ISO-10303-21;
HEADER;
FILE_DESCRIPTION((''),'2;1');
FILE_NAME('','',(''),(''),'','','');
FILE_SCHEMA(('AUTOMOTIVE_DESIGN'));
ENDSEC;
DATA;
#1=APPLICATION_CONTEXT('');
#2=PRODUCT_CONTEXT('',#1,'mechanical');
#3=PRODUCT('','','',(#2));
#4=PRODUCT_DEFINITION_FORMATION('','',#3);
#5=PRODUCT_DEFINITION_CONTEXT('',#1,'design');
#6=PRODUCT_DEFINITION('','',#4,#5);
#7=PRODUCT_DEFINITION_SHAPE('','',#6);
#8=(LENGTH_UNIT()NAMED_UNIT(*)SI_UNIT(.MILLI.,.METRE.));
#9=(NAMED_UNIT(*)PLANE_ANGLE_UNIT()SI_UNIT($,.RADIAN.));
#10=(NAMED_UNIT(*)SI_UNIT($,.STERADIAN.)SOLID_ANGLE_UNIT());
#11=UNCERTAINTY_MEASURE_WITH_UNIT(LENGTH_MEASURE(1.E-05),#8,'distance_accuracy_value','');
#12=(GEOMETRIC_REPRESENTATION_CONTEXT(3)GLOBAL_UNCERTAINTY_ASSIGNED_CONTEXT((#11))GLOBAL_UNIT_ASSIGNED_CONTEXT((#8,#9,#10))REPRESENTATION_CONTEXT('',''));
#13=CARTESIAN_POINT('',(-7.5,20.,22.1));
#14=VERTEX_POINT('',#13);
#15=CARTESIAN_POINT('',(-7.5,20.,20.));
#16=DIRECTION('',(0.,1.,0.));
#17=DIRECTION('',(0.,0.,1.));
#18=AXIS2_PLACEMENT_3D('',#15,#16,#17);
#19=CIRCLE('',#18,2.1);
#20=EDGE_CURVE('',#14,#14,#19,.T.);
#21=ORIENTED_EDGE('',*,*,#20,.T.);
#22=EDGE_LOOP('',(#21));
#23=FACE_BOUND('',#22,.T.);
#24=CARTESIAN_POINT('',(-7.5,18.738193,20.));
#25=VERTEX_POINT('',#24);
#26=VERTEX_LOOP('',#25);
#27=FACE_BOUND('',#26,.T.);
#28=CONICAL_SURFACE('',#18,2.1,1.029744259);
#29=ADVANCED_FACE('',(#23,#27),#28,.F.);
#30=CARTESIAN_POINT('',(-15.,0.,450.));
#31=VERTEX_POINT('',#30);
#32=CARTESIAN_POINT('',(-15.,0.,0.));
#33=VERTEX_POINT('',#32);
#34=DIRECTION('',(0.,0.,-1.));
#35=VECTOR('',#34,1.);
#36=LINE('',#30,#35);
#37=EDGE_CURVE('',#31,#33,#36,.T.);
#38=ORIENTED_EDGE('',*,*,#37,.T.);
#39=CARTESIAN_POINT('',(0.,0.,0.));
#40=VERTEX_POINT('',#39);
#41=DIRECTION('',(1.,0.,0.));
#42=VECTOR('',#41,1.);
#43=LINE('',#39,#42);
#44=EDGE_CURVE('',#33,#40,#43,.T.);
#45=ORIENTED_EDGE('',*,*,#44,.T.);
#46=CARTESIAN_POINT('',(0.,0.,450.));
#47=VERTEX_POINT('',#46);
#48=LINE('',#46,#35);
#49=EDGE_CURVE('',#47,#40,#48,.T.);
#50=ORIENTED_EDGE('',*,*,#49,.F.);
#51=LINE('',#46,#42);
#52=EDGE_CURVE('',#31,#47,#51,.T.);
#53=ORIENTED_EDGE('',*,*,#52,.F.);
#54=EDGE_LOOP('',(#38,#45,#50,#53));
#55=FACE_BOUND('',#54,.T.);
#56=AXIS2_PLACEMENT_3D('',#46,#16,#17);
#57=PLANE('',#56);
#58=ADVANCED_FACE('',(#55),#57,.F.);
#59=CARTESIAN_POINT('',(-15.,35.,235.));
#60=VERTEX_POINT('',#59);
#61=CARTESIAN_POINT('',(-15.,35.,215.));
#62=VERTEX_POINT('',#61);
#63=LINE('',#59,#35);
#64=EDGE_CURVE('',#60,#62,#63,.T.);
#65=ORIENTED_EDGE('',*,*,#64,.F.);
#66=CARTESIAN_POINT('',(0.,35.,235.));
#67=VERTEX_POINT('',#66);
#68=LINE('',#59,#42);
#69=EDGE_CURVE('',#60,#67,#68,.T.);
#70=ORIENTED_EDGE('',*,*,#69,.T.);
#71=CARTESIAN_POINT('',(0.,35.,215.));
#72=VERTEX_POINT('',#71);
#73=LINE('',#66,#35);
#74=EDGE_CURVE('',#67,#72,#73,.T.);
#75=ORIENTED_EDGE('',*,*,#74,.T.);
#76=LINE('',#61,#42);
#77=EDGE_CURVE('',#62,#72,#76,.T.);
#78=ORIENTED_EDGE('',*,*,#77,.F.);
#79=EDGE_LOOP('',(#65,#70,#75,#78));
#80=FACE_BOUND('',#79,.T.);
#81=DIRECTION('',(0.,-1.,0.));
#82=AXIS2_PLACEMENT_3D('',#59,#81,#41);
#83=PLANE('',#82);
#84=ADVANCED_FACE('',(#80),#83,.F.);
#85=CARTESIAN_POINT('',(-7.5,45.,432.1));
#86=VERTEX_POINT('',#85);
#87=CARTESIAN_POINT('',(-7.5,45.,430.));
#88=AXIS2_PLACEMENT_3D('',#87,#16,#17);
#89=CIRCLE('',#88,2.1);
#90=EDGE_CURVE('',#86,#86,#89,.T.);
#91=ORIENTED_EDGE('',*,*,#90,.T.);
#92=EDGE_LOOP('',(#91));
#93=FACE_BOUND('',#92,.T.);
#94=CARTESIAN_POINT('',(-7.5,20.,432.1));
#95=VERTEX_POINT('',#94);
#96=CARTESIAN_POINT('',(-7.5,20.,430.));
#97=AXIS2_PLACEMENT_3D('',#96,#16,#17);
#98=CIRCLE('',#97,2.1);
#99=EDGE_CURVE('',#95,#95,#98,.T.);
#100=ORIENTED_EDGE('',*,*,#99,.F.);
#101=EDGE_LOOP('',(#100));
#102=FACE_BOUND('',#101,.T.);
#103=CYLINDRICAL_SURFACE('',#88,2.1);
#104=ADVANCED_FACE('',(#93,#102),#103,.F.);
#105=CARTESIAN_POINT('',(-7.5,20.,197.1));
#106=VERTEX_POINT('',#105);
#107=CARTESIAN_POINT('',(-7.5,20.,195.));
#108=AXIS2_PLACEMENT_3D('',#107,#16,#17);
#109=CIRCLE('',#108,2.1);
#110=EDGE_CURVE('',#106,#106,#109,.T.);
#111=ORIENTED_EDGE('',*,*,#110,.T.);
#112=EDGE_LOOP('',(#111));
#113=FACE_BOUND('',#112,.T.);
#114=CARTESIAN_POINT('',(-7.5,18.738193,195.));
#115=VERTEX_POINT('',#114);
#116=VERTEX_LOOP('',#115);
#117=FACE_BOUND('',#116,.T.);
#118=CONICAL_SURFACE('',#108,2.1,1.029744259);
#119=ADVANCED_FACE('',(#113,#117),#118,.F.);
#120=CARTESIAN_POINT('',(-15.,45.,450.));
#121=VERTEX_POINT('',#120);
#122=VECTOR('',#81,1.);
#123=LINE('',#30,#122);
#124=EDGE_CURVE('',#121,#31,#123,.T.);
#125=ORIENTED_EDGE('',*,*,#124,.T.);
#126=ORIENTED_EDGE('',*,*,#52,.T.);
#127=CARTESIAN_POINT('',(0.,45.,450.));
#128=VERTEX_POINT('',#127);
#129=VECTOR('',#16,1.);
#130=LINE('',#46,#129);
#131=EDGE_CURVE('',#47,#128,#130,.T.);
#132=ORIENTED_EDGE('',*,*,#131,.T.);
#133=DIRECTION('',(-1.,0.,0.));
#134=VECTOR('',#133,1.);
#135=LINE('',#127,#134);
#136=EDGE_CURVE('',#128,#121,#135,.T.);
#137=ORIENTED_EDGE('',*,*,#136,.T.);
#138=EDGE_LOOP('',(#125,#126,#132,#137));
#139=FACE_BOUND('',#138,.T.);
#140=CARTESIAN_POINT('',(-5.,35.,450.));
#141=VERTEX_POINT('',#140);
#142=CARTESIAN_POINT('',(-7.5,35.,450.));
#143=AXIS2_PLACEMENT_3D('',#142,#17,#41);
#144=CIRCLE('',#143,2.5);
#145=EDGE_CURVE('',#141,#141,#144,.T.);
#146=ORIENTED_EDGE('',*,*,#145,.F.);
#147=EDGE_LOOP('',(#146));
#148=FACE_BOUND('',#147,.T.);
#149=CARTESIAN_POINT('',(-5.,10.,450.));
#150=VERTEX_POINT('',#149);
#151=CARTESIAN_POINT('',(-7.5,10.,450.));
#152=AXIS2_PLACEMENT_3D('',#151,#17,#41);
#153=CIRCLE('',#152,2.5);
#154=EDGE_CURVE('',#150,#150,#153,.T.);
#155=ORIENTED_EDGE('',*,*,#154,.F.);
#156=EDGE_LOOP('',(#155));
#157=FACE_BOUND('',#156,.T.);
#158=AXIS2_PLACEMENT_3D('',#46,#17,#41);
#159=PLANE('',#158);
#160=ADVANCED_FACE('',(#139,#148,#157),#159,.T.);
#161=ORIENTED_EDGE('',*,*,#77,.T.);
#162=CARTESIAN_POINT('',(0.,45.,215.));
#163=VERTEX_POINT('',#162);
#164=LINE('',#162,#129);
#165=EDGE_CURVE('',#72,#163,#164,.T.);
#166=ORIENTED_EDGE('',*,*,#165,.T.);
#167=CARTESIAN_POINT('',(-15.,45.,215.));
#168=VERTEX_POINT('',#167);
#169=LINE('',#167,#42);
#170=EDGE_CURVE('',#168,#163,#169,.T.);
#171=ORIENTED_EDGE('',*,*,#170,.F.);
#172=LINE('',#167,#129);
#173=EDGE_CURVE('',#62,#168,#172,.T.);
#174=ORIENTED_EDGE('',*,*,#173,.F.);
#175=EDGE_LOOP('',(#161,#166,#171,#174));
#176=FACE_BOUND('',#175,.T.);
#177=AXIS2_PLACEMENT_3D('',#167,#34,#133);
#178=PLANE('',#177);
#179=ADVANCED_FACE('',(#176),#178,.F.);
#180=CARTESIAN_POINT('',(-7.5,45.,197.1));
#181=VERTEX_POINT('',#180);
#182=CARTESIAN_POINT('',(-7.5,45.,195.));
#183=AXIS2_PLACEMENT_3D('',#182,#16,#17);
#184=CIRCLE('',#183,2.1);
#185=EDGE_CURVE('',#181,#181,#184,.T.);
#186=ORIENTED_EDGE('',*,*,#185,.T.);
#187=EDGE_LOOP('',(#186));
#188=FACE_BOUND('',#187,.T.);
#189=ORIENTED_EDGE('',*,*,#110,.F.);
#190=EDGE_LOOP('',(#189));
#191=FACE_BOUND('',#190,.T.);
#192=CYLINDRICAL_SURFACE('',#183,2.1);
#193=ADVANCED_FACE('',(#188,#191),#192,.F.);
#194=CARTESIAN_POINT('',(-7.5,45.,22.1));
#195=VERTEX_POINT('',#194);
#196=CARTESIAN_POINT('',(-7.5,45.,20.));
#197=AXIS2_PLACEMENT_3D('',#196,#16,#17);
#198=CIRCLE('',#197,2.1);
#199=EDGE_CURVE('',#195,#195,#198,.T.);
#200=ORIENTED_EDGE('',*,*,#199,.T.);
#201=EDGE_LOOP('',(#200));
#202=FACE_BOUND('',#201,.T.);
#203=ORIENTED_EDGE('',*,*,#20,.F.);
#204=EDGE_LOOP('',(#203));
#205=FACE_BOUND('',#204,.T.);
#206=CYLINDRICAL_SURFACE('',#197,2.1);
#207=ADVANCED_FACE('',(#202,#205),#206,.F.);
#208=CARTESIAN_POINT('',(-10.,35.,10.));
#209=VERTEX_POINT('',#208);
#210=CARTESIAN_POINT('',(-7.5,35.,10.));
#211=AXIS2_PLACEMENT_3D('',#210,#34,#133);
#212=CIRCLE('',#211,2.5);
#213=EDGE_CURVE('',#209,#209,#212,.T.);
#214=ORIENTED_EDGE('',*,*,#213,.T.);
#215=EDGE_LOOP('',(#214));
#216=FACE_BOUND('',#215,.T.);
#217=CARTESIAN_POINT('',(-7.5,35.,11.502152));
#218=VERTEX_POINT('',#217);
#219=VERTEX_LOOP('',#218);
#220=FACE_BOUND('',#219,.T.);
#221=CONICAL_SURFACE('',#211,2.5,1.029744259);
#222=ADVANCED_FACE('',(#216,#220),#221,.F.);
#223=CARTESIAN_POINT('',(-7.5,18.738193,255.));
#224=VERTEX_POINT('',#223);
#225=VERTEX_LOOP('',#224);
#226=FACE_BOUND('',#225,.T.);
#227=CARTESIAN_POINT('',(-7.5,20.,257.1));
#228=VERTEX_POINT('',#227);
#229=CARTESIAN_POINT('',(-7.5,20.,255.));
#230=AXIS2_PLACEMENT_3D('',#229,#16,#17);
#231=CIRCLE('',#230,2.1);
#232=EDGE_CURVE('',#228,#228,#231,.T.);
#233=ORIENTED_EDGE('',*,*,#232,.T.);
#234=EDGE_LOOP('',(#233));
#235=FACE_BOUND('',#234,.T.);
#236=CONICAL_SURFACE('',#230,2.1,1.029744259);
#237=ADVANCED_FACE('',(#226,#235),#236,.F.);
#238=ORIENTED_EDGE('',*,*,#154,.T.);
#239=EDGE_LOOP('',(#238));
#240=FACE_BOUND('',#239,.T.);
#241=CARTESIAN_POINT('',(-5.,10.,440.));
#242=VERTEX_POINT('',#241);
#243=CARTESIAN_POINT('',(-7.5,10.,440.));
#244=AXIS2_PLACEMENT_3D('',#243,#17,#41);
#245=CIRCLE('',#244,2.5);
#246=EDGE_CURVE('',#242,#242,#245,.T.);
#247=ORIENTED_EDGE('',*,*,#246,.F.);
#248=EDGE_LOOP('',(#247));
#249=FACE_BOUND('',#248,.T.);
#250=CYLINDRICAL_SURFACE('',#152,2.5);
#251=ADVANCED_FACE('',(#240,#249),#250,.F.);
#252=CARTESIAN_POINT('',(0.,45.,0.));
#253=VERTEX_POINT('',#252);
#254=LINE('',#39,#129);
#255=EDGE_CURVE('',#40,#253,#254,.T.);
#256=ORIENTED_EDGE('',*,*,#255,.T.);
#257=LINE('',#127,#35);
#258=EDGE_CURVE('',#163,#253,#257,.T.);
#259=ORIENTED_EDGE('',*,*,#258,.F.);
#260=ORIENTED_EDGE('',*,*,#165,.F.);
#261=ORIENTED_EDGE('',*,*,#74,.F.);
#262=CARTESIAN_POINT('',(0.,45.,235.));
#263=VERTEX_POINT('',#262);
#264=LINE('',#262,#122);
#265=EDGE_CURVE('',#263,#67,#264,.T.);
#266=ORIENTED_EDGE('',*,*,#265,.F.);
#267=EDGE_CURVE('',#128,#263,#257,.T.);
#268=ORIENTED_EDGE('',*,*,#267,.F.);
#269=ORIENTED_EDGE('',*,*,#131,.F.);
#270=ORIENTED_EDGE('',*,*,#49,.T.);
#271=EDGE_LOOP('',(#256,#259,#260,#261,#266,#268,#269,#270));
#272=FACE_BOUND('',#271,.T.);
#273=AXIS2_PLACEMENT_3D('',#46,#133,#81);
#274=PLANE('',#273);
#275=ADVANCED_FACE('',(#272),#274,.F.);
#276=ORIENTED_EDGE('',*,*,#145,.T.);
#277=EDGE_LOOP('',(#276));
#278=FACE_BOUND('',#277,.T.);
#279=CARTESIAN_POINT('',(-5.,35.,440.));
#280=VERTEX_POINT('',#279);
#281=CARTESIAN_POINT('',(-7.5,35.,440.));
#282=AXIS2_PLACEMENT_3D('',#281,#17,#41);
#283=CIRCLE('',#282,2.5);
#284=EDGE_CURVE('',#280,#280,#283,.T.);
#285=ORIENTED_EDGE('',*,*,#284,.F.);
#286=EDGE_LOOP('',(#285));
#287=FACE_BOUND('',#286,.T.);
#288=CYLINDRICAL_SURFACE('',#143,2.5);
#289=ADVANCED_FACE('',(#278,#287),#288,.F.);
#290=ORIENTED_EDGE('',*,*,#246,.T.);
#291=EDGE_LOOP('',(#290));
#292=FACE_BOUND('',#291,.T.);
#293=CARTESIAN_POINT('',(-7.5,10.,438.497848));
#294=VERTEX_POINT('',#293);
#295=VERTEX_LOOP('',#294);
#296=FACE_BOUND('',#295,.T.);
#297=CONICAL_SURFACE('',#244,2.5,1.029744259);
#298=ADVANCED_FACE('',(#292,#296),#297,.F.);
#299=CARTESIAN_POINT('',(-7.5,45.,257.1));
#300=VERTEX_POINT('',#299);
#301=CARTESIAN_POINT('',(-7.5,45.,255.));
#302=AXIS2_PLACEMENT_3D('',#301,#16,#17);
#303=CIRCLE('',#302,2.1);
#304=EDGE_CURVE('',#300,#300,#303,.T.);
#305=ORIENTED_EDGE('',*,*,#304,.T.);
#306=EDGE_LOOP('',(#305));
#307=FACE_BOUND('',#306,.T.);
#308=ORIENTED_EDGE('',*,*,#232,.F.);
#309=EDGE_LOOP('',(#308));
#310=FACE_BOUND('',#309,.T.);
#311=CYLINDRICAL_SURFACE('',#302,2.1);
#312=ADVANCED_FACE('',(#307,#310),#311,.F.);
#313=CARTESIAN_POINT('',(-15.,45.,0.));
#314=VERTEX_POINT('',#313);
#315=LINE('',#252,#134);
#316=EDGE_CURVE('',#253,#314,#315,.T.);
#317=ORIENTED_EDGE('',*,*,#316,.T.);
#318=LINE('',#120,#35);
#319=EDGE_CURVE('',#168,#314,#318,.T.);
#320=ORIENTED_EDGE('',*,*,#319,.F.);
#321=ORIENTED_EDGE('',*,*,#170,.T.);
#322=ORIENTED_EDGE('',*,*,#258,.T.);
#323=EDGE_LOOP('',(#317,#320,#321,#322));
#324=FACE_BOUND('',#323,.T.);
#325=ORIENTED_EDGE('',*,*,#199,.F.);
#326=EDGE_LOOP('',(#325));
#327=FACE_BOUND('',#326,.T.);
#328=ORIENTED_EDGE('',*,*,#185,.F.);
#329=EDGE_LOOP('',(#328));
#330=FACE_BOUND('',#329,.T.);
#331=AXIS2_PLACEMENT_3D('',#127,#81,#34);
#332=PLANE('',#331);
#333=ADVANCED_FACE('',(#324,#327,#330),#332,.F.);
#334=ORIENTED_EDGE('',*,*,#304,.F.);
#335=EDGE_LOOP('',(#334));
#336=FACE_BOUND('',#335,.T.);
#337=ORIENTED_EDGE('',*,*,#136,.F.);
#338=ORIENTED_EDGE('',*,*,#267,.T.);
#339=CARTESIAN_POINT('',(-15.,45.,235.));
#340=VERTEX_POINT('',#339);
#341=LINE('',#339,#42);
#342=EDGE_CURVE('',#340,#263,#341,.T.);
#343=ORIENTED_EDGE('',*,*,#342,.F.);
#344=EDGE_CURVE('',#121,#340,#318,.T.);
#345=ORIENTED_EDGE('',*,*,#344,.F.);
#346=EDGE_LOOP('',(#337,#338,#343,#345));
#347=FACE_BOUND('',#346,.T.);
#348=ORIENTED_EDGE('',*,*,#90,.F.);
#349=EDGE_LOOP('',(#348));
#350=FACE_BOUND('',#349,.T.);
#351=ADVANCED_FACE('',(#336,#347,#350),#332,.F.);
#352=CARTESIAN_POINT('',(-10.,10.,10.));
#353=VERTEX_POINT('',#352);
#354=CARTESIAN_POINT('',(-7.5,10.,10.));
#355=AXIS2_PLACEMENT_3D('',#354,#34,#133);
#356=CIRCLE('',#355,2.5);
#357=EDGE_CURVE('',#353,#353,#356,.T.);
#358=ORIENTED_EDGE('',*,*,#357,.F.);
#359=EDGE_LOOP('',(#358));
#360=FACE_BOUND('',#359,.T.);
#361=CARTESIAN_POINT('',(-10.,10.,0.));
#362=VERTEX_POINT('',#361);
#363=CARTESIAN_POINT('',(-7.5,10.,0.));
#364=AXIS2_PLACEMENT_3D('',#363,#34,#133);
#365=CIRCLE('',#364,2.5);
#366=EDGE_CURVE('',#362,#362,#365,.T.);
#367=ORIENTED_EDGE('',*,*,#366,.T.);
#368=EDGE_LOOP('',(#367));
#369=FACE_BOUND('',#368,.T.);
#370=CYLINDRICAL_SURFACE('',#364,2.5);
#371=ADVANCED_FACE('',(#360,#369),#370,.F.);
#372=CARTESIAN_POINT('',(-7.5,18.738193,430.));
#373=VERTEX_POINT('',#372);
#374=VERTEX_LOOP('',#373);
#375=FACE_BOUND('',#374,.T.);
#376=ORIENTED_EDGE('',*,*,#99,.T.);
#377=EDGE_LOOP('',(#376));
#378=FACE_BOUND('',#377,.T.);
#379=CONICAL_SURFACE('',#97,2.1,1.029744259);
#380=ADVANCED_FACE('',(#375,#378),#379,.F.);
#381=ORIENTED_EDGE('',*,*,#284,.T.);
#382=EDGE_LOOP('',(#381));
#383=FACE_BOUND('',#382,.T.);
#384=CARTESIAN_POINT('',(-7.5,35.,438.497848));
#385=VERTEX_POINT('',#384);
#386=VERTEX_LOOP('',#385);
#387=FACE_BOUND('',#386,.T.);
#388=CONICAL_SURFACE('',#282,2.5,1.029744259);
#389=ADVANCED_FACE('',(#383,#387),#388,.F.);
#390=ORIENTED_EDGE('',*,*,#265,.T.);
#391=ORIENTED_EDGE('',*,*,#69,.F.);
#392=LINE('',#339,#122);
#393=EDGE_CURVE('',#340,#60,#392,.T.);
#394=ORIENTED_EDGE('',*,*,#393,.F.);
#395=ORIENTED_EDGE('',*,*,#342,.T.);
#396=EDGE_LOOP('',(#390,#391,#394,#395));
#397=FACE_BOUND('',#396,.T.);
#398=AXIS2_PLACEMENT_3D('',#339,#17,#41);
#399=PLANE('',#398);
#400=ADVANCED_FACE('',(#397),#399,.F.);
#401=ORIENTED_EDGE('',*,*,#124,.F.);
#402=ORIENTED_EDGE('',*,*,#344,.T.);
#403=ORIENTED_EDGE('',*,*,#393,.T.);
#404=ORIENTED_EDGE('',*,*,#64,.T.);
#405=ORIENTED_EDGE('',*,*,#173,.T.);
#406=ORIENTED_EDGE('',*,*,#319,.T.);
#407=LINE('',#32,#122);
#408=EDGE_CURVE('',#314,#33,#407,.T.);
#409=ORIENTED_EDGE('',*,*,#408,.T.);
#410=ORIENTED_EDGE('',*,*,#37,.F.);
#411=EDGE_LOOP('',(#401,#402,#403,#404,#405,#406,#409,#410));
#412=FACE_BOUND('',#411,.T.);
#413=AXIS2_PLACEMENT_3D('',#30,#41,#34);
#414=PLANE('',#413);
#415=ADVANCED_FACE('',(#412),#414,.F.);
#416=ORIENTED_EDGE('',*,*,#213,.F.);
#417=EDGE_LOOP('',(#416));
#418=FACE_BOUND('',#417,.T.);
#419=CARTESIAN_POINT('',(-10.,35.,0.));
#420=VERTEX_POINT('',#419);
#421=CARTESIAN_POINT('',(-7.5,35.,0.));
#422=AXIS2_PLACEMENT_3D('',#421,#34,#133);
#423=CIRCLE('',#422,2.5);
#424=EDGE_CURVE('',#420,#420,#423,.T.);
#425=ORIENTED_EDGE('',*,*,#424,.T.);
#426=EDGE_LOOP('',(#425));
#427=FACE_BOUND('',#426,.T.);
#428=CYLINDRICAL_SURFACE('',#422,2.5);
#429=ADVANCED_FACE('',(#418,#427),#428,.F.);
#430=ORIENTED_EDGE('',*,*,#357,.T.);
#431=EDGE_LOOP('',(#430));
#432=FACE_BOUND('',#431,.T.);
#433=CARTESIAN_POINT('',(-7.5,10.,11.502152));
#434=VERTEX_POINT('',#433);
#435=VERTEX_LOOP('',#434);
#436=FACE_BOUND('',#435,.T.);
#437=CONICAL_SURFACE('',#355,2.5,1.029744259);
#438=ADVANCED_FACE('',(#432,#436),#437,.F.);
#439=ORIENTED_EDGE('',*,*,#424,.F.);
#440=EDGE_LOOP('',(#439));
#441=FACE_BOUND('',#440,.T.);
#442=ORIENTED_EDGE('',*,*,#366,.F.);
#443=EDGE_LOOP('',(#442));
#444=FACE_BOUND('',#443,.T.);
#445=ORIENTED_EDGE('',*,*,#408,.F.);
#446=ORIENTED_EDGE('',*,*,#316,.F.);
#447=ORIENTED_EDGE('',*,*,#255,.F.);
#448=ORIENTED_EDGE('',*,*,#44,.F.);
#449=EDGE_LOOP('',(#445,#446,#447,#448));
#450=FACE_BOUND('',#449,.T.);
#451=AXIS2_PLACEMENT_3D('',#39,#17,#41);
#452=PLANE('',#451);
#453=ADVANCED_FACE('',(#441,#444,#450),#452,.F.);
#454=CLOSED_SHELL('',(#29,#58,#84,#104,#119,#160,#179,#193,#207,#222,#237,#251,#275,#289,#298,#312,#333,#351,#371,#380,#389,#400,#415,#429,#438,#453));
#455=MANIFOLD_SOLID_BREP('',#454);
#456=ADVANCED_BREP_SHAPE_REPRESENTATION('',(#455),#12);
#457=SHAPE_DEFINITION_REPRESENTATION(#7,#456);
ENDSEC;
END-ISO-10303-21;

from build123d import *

# Parameters (mm, degrees)
ESQUISSE1_W                                   = 15
ESQUISSE1_H                                   = 45
BOSS_EXTRU_1_DEPTH                            = 450
TROU_POUR_TARAUDAGE_POUR_TROU_TARAUD_M6_D     = 5
TROU_POUR_TARAUDAGE_POUR_TROU_TARAUD_M6_DEPTH = 10
TROU_POUR_TARAUDAGE_POUR_TROU_TARAUD_M6_TIP   = 1.502151548
TROU_POUR_TARAUDAGE_POUR_TROU_TARAUD_2_D      = 5
TROU_POUR_TARAUDAGE_POUR_TROU_TARAUD_2_DEPTH  = 10
TROU_POUR_TARAUDAGE_POUR_TROU_TARAUD_2_TIP    = 1.502151548
ESQUISSE10_W                                  = 20
ESQUISSE10_H                                  = 10
ENL_V_MAT_EXTRU_1_DEPTH                       = 15
TROU_POUR_TARAUDAGE_POUR_TROU_TARAUD_M5_D     = 4.2
TROU_POUR_TARAUDAGE_POUR_TROU_TARAUD_M5_DEPTH = 25
TROU_POUR_TARAUDAGE_POUR_TROU_TARAUD_M5_TIP   = 1.2618073


with BuildPart() as part:
    # Esquisse1 → Boss.-Extru.1 (new body)
    with BuildSketch(Plane.XY):
        with Locations((-7.5, 22.5)):
            Rectangle(ESQUISSE1_W, ESQUISSE1_H)
    extrude(amount=BOSS_EXTRU_1_DEPTH)

    # Trou pour taraudage pour trou taraud_ M6
    with Locations(Plane.XY.offset(450)):
        with Locations((-7.5, 35), (-7.5, 10)):
            Hole(TROU_POUR_TARAUDAGE_POUR_TROU_TARAUD_M6_D / 2, depth=TROU_POUR_TARAUDAGE_POUR_TROU_TARAUD_M6_DEPTH)
            with Locations((0, 0, -(TROU_POUR_TARAUDAGE_POUR_TROU_TARAUD_M6_DEPTH + TROU_POUR_TARAUDAGE_POUR_TROU_TARAUD_M6_TIP / 2))):  # 118° drill point
                Cone(0, TROU_POUR_TARAUDAGE_POUR_TROU_TARAUD_M6_D / 2, TROU_POUR_TARAUDAGE_POUR_TROU_TARAUD_M6_TIP, mode=Mode.SUBTRACT)

    # Trou pour taraudage pour trou taraud 2
    with Locations(Plane(origin=(0, 0, 0), x_dir=(-1, 0, 0), z_dir=(0, 0, -1))):
        with Locations((7.5, 35), (7.5, 10)):
            Hole(TROU_POUR_TARAUDAGE_POUR_TROU_TARAUD_2_D / 2, depth=TROU_POUR_TARAUDAGE_POUR_TROU_TARAUD_2_DEPTH)
            with Locations((0, 0, -(TROU_POUR_TARAUDAGE_POUR_TROU_TARAUD_2_DEPTH + TROU_POUR_TARAUDAGE_POUR_TROU_TARAUD_2_TIP / 2))):  # 118° drill point
                Cone(0, TROU_POUR_TARAUDAGE_POUR_TROU_TARAUD_2_D / 2, TROU_POUR_TARAUDAGE_POUR_TROU_TARAUD_2_TIP, mode=Mode.SUBTRACT)

    # Esquisse10 → Enlèv. mat.-Extru.1 (cut)
    with BuildSketch(Plane(origin=(0, 0, 0), x_dir=(0, 0, -1), z_dir=(1, 0, 0))):
        with Locations((-225, 40)):
            Rectangle(ESQUISSE10_W, ESQUISSE10_H)
    extrude(amount=-ENL_V_MAT_EXTRU_1_DEPTH, mode=Mode.SUBTRACT)

    # Trou pour taraudage pour trou taraudé M51
    with Locations(Plane(origin=(0, 45, 0), x_dir=(1, 0, 0), z_dir=(0, 1, 0))):
        with Locations((-7.5, -430), (-7.5, -255), (-7.5, -195), (-7.5, -20)):
            Hole(TROU_POUR_TARAUDAGE_POUR_TROU_TARAUD_M5_D / 2, depth=TROU_POUR_TARAUDAGE_POUR_TROU_TARAUD_M5_DEPTH)
            with Locations((0, 0, -(TROU_POUR_TARAUDAGE_POUR_TROU_TARAUD_M5_DEPTH + TROU_POUR_TARAUDAGE_POUR_TROU_TARAUD_M5_TIP / 2))):  # 118° drill point
                Cone(0, TROU_POUR_TARAUDAGE_POUR_TROU_TARAUD_M5_D / 2, TROU_POUR_TARAUDAGE_POUR_TROU_TARAUD_M5_TIP, mode=Mode.SUBTRACT)


solid = part.part
